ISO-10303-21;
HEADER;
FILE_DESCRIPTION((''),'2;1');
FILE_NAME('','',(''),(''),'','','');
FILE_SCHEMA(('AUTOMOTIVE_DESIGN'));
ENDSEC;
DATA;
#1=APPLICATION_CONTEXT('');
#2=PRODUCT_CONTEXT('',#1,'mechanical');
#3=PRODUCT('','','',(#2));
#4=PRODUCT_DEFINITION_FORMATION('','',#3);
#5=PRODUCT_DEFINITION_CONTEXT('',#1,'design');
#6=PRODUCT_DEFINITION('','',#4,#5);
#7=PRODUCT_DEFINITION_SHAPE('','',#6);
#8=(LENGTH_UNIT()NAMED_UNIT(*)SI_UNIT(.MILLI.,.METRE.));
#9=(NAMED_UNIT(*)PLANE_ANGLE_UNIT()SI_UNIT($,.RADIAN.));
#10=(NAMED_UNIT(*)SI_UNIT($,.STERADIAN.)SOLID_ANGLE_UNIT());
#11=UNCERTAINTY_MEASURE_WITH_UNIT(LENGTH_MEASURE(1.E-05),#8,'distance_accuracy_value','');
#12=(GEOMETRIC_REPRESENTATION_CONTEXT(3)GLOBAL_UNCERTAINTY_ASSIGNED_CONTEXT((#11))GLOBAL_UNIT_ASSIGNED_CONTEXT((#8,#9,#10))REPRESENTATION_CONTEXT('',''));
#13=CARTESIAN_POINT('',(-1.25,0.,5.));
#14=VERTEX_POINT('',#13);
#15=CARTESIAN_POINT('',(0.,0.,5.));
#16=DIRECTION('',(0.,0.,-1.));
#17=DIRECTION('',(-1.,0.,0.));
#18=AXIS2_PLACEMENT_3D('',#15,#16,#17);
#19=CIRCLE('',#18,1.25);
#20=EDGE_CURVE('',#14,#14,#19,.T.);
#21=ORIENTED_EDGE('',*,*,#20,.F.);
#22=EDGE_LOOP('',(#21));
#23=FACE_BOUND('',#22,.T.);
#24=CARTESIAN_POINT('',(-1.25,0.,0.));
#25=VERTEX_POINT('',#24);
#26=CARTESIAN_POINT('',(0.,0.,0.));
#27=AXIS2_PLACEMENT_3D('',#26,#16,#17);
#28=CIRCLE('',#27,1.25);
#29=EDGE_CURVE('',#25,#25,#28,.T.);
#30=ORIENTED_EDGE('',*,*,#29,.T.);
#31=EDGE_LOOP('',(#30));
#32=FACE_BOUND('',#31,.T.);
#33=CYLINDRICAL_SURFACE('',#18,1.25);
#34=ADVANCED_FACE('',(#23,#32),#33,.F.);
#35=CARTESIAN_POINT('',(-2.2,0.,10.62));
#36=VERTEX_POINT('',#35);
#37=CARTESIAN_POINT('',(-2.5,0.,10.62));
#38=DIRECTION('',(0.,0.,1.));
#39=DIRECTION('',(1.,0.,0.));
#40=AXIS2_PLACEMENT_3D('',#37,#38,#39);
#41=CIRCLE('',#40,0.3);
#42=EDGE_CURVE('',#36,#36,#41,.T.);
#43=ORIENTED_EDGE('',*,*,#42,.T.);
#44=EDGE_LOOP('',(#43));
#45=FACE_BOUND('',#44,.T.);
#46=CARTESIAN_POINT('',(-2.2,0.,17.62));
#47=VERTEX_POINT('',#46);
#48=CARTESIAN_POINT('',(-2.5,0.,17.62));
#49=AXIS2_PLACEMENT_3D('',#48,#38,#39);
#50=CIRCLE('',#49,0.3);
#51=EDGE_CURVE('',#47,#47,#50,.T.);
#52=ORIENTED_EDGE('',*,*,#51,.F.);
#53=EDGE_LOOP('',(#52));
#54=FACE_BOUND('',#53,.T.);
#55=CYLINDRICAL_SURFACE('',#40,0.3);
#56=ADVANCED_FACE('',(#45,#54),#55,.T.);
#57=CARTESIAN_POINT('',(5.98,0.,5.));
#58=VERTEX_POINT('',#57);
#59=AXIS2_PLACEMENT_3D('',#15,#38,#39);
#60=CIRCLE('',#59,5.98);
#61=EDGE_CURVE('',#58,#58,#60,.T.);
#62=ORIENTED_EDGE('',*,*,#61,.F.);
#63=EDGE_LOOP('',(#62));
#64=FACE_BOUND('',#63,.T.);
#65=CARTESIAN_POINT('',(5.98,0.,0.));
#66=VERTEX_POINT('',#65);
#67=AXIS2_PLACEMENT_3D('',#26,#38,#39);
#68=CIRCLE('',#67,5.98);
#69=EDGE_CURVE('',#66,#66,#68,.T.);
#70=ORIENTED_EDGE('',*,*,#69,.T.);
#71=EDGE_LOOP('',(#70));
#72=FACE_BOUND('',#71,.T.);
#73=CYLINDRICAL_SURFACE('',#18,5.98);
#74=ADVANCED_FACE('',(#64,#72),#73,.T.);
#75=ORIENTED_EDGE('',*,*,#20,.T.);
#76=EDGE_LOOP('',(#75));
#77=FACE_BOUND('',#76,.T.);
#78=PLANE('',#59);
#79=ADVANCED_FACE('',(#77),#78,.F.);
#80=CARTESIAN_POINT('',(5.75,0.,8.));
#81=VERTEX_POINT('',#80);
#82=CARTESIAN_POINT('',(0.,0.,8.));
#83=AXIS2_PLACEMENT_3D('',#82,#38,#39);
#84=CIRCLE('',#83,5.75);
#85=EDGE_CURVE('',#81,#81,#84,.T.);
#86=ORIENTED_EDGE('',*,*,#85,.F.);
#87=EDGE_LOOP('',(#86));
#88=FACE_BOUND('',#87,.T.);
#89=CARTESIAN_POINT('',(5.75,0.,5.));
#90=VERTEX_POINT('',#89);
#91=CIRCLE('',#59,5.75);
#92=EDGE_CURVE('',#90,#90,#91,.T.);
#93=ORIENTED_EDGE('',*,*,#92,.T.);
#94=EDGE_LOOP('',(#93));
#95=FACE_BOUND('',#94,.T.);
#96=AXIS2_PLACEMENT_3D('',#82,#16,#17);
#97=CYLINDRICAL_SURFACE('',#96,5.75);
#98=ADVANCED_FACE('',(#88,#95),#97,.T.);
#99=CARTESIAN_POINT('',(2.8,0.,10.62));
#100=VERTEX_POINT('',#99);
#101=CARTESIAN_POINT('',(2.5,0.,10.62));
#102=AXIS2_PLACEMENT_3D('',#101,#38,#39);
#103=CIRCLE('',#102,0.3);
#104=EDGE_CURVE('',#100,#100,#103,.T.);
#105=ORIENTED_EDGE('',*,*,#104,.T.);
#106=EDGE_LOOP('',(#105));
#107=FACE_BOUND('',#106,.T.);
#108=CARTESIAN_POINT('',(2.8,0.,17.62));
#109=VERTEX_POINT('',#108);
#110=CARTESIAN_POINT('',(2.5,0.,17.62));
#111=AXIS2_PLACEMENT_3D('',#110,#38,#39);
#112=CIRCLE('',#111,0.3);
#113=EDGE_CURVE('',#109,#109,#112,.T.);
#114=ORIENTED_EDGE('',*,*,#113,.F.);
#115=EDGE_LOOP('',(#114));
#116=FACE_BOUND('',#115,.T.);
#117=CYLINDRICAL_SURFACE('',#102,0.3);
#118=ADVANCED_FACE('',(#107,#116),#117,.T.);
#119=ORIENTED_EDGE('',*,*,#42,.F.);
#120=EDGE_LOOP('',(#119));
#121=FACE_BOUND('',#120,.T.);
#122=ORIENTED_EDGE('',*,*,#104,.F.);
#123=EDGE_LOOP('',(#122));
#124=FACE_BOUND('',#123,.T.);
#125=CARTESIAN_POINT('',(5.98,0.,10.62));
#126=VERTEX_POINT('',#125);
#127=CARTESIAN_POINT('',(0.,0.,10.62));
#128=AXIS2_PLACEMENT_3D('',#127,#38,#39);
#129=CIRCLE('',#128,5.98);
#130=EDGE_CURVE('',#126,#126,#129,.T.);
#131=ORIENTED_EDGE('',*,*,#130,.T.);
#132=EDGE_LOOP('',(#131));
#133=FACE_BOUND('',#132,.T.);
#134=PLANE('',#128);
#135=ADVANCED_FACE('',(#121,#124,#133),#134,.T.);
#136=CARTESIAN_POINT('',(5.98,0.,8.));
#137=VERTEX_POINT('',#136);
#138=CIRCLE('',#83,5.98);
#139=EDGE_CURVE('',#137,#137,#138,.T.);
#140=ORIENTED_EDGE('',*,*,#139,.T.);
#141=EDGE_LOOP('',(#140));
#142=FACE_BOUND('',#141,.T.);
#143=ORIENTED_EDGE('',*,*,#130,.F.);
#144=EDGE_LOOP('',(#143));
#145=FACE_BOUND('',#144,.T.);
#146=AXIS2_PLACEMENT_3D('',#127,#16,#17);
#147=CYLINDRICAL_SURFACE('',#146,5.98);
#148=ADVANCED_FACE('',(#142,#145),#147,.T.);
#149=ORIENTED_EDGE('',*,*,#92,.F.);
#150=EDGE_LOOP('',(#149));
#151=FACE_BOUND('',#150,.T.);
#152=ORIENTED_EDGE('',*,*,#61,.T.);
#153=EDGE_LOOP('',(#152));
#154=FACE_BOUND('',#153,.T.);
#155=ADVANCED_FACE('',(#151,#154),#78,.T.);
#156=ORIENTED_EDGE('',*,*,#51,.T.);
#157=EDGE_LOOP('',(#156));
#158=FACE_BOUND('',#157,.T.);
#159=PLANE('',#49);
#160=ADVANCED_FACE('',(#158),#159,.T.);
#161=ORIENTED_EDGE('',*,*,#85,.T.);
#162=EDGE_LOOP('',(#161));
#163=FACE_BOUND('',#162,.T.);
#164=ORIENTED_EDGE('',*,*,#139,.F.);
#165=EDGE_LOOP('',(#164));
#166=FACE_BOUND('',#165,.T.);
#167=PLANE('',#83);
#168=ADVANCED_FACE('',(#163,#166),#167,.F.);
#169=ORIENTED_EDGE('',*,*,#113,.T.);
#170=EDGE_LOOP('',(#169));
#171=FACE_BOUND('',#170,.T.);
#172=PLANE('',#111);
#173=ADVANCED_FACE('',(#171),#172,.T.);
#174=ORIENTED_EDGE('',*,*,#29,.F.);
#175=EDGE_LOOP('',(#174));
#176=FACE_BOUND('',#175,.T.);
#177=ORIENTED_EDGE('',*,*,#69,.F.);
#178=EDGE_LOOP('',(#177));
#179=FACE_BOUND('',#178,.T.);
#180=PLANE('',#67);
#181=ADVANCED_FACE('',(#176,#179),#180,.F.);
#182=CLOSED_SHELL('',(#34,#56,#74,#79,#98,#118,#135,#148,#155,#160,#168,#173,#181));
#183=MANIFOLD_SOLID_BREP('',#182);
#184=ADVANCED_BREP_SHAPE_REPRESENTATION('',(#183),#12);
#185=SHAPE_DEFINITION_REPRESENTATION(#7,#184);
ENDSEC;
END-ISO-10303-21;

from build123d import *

# Parameters (mm, degrees)
SKETCH1_R           = 5.98
BOSS_EXTRUDE1_DEPTH = 5
SKETCH2_R           = 1.25
CUT_EXTRUDE1_DEPTH  = 5
SKETCH3_R           = 5.75
BOSS_EXTRUDE2_DEPTH = 3
SKETCH4_R           = 5.98
BOSS_EXTRUDE3_DEPTH = 2.62
SKETCH5_R           = 0.645
BOSS_EXTRUDE4_DEPTH = 7
SKETCH6_R           = 0.645
SKETCH6_R_2         = 0.3
CUT_EXTRUDE2_DEPTH  = 7


with BuildPart() as part:
    # Sketch1 → Boss-Extrude1 (new body)
    with BuildSketch(Plane.XY):
        Circle(SKETCH1_R)
    extrude(amount=BOSS_EXTRUDE1_DEPTH)

    # Sketch2 → Cut-Extrude1 (cut)
    with BuildSketch(Plane(origin=(0, 0, 0), x_dir=(-1, 0, 0), z_dir=(0, 0, -1))):
        Circle(SKETCH2_R)
    extrude(amount=-CUT_EXTRUDE1_DEPTH, mode=Mode.SUBTRACT)

    # Sketch3 → Boss-Extrude2 (add)
    with BuildSketch(Plane.XY.offset(5)):
        Circle(SKETCH3_R)
    extrude(amount=BOSS_EXTRUDE2_DEPTH)

    # Sketch4 → Boss-Extrude3 (add)
    with BuildSketch(Plane.XY.offset(8)):
        Circle(SKETCH4_R)
    extrude(amount=BOSS_EXTRUDE3_DEPTH)

    # Sketch5 → Boss-Extrude4 (add)
    with BuildSketch(Plane.XY.offset(10.62)):
        with Locations((-2.5, 0)):
            Circle(SKETCH5_R)
        with Locations((2.5, 0)):
            Circle(SKETCH5_R)
    extrude(amount=BOSS_EXTRUDE4_DEPTH)

    # Sketch6 → Cut-Extrude2 (cut)
    with BuildSketch(Plane.XY.offset(17.62)):
        with Locations((-2.5, 0)):
            Circle(SKETCH6_R)
        with Locations((-2.5, 0)):
            Circle(SKETCH6_R_2, mode=Mode.SUBTRACT)
        with Locations((2.5, 0)):
            Circle(SKETCH6_R)
        with Locations((2.5, 0)):
            Circle(SKETCH6_R_2, mode=Mode.SUBTRACT)
    extrude(amount=-CUT_EXTRUDE2_DEPTH, mode=Mode.SUBTRACT)


solid = part.part
